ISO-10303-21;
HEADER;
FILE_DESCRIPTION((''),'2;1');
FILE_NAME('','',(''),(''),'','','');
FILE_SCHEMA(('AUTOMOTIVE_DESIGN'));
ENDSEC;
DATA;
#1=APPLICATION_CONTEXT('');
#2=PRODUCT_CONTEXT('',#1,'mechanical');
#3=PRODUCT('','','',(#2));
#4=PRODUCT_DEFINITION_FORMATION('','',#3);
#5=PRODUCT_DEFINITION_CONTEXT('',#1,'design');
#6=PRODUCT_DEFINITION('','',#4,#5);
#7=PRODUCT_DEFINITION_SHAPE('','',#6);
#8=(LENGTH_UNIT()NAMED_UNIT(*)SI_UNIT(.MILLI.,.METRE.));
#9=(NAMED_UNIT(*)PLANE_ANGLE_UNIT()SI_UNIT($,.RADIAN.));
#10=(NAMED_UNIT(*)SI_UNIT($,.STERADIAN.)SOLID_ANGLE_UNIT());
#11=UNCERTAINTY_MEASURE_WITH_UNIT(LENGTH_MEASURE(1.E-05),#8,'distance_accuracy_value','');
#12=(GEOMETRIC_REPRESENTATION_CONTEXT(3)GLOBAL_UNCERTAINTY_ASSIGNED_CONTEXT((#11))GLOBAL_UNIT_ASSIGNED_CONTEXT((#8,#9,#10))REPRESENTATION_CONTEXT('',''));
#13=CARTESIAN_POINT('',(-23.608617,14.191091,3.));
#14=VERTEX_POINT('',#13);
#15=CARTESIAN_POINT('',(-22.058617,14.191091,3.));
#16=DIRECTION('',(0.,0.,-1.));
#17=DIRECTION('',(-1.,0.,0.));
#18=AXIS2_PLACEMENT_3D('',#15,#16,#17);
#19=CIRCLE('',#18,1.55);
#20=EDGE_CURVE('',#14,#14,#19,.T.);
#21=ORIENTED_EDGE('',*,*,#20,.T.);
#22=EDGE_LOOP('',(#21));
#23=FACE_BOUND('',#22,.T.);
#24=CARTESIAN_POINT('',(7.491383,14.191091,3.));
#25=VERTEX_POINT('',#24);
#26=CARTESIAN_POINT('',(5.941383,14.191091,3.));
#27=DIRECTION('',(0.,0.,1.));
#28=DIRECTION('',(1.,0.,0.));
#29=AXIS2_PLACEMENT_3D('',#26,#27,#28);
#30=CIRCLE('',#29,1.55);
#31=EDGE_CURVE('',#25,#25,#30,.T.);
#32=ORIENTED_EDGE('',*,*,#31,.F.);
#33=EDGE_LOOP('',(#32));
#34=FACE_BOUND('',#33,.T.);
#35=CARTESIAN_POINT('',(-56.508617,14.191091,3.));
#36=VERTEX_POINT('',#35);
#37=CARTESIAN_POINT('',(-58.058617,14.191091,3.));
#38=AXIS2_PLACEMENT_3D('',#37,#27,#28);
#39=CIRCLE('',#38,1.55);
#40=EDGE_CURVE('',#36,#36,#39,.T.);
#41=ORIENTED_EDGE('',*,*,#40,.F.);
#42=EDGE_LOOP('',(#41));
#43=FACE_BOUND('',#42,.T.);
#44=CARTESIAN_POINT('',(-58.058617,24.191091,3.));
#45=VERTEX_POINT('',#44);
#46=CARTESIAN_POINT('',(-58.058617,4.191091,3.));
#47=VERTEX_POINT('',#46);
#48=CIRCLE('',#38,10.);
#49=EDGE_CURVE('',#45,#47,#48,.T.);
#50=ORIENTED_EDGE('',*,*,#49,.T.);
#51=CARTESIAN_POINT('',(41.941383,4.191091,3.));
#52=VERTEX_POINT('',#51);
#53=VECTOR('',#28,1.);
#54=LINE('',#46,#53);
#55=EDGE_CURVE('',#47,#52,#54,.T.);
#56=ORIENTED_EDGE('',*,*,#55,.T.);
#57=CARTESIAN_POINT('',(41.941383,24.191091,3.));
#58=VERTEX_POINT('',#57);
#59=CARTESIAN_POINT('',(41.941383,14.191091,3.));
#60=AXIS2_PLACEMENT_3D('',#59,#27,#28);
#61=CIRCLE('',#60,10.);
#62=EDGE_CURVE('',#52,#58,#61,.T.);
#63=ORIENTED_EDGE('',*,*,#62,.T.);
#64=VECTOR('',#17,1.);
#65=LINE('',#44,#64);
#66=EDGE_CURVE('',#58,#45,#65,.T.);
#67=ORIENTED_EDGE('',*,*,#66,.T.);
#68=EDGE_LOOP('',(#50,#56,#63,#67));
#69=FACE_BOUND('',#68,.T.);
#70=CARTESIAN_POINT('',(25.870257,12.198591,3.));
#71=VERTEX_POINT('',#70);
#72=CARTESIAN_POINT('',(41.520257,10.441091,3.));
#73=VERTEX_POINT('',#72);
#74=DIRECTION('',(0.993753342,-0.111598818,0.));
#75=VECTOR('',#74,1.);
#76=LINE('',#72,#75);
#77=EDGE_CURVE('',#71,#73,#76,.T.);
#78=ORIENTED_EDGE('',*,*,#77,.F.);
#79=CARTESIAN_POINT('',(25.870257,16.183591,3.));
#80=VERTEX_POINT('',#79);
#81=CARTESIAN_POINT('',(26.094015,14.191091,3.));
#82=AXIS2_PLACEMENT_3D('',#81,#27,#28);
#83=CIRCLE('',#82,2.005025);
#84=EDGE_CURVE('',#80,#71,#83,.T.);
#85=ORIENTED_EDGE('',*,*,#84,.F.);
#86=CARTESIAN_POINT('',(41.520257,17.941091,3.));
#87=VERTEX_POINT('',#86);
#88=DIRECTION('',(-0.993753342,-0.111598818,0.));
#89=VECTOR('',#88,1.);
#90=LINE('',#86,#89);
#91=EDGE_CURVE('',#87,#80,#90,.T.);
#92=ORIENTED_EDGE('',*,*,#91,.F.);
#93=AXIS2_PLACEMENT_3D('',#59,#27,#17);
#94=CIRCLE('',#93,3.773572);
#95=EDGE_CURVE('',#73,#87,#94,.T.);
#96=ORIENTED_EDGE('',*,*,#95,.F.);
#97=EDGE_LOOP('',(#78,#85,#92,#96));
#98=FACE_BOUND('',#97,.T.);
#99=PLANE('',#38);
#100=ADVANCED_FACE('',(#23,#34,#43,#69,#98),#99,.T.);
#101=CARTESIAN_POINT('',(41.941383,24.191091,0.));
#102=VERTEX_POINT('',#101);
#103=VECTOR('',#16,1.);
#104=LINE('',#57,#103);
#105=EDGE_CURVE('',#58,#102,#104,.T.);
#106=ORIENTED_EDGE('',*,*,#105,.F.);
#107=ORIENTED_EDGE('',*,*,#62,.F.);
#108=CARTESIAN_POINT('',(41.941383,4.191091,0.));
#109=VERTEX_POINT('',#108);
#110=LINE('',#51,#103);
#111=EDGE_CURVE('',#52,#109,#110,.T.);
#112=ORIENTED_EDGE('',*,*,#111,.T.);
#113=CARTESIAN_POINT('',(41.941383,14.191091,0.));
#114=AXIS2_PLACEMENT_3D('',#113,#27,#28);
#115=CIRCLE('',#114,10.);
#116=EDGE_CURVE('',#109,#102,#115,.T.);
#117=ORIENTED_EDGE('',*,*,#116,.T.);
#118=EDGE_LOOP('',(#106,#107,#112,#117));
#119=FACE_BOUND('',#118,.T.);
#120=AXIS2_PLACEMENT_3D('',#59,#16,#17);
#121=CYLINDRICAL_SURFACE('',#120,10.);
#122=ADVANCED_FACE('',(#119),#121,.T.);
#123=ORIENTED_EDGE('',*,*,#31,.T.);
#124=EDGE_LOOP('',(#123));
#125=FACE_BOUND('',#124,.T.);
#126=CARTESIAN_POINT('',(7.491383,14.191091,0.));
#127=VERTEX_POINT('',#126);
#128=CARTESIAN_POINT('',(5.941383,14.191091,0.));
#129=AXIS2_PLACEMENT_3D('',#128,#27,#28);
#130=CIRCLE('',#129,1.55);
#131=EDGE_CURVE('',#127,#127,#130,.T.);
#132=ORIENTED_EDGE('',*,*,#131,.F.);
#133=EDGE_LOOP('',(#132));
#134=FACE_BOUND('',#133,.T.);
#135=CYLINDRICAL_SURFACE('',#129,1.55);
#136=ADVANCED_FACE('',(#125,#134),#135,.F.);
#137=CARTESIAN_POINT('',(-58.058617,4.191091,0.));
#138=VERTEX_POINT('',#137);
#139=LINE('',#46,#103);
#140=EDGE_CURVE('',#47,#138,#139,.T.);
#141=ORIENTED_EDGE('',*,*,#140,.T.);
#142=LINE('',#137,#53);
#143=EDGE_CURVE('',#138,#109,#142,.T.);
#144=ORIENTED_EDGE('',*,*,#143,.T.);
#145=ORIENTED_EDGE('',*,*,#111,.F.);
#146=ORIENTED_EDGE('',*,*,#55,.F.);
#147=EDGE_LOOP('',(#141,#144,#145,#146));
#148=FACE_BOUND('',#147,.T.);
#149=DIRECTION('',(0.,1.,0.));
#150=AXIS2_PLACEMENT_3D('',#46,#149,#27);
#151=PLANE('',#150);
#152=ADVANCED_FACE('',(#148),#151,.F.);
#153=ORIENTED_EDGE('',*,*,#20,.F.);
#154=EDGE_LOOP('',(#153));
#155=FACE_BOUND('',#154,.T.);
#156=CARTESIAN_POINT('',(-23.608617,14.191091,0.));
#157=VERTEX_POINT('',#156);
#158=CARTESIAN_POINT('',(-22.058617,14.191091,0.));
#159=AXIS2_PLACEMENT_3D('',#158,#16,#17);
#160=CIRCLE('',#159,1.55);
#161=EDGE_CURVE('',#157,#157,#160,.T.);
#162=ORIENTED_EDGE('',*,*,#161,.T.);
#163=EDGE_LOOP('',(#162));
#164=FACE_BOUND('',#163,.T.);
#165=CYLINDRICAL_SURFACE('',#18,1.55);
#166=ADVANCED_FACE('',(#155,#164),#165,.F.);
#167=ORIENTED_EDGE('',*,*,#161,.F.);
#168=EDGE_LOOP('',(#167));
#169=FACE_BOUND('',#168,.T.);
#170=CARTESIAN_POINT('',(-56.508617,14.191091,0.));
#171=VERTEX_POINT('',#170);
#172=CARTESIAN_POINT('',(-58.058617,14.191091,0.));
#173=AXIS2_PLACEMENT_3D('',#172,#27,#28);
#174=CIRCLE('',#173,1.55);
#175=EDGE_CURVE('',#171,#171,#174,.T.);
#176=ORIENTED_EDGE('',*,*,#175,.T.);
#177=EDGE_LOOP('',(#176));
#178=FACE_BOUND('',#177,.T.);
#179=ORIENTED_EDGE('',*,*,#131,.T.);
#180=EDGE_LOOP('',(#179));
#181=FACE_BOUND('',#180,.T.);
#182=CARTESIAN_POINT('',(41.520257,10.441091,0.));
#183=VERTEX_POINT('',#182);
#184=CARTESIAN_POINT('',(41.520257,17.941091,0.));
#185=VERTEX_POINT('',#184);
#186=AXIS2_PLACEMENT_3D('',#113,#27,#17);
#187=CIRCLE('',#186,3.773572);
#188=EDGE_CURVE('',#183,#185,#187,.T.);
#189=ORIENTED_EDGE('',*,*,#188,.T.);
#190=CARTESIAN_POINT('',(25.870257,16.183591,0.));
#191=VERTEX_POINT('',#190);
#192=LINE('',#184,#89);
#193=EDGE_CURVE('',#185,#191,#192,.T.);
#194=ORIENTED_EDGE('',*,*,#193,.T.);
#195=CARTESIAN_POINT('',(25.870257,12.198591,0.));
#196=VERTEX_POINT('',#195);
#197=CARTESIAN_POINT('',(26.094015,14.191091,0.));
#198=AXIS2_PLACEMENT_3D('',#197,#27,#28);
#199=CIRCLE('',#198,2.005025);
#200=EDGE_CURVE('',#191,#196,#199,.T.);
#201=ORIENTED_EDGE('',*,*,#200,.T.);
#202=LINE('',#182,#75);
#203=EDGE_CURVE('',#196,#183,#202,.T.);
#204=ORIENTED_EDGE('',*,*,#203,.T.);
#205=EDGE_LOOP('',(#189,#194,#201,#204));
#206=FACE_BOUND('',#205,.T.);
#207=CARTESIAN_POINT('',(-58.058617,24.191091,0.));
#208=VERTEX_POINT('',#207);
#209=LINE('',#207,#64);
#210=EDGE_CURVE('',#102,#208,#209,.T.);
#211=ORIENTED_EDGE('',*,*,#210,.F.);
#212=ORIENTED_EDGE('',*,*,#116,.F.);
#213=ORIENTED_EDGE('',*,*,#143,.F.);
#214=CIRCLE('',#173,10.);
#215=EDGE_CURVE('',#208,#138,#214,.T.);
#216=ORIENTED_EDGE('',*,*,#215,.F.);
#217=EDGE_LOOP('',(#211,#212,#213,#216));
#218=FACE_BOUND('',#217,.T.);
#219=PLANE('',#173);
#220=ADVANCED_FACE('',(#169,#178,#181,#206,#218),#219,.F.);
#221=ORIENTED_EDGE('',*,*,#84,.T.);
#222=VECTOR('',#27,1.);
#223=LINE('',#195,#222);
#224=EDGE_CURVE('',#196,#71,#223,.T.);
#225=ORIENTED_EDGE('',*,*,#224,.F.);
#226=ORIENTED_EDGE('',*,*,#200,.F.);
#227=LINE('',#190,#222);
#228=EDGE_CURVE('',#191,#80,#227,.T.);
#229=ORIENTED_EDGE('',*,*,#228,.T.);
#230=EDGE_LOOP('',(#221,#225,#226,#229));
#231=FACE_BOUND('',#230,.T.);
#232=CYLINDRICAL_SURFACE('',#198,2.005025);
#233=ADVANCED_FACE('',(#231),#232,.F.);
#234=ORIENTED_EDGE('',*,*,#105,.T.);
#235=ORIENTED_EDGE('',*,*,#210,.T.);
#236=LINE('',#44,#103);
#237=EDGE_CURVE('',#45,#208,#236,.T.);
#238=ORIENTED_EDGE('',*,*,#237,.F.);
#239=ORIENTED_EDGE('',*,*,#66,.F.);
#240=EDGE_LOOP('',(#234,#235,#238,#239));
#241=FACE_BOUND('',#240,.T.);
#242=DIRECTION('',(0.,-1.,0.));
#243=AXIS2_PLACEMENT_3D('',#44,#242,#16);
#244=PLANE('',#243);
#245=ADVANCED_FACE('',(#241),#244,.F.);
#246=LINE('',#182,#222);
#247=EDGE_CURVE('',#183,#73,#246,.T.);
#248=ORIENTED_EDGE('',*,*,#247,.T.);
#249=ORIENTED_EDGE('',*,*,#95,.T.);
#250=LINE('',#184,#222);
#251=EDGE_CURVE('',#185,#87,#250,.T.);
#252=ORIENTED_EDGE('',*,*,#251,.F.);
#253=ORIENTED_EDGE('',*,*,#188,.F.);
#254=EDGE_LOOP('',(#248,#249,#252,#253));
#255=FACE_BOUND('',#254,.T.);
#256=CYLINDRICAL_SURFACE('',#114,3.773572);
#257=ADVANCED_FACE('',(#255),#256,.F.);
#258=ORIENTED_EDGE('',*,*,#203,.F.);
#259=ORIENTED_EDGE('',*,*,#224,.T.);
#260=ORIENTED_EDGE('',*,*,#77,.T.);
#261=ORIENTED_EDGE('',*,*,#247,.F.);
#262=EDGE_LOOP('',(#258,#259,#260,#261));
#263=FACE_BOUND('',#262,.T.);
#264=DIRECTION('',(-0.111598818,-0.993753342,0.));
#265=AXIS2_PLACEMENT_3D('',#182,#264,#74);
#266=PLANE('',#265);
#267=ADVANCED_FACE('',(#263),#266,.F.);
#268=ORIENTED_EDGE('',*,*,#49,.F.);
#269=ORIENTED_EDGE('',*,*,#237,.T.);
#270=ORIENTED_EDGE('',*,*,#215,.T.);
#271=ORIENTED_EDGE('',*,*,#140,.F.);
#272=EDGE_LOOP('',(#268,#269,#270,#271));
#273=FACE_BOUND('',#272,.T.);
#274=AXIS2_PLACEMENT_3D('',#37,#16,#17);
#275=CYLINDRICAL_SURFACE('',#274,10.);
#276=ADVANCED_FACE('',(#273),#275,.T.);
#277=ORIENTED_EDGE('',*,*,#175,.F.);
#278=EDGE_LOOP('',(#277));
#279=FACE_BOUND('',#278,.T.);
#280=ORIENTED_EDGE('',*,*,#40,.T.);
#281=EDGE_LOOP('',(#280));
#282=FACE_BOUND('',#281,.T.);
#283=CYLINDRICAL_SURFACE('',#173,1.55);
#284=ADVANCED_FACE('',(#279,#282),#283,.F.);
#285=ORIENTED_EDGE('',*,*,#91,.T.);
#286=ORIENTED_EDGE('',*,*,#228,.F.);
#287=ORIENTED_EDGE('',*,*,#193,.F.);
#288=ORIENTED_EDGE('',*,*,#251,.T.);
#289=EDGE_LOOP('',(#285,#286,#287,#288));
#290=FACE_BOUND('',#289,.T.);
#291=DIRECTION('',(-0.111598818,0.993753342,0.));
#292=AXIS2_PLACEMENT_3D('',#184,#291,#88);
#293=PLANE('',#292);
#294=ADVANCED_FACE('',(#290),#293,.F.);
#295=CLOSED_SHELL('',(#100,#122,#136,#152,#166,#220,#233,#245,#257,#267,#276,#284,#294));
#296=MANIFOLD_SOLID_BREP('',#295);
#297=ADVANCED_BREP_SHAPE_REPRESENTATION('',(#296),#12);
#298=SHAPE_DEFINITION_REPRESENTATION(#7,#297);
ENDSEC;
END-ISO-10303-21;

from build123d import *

# Parameters (mm, degrees)
BOSS_EXTRUDE1_DEPTH = 3
CUT_EXTRUDE1_DEPTH  = 3
SKETCH3_R           = 1.55
CUT_EXTRUDE2_DEPTH  = 3
SKETCH4_R           = 1.55
CUT_EXTRUDE4_DEPTH  = 3
SKETCH5_R           = 1.55
CUT_EXTRUDE6_DEPTH  = 3


with BuildPart() as part:
    # Sketch1 → Boss-Extrude1 (new body)
    with BuildSketch(Plane.XY):
        with BuildLine():
            Line((-58.058617241, 24.191090517), (41.941382759, 24.191090517))
            ThreePointArc((41.941382759, 24.191090517), (51.941382759, 14.191090517), (41.941382759, 4.191090517))
            Line((41.941382759, 4.191090517), (-58.058617241, 4.191090517))
            ThreePointArc((-58.058617241, 4.191090517), (-68.058617241, 14.191090517), (-58.058617241, 24.191090517))
        make_face()
    extrude(amount=BOSS_EXTRUDE1_DEPTH)

    # Sketch2 → Cut-Extrude1 (cut)
    with BuildSketch(Plane.XY.offset(3)):
        with BuildLine():
            Line((41.520256561, 17.941090517), (25.870256561, 16.183590517))
            ThreePointArc((25.870256561, 16.183590517), (24.088990243, 14.191090517), (25.870256561, 12.198590517))
            Line((25.870256561, 12.198590517), (41.520256561, 10.441090517))
            ThreePointArc((41.520256561, 10.441090517), (45.714954976, 14.191090517), (41.520256561, 17.941090517))
        make_face()
    extrude(amount=-CUT_EXTRUDE1_DEPTH, mode=Mode.SUBTRACT)

    # Sketch3 → Cut-Extrude2 (cut)
    with BuildSketch(Plane.XY.offset(3)):
        with Locations((-58.058617241, 14.191090517)):
            Circle(SKETCH3_R)
    extrude(amount=-CUT_EXTRUDE2_DEPTH, mode=Mode.SUBTRACT)

    # Sketch4 → Cut-Extrude4 (cut)
    with BuildSketch(Plane(origin=(9.979459273, 1.433252018, 3), x_dir=(1, 0, 0), z_dir=(0, 0, 1))):
        with Locations((-4.038076514, 12.757838499)):
            Circle(SKETCH4_R)
    extrude(amount=-CUT_EXTRUDE4_DEPTH, mode=Mode.SUBTRACT)

    # Sketch5 → Cut-Extrude6 (cut)
    with BuildSketch(Plane(origin=(-9.979459273, 1.433252018, 0), x_dir=(-1, 0, 0), z_dir=(0, 0, -1))):
        with Locations((12.079157968, 12.757838499)):
            Circle(SKETCH5_R)
    extrude(amount=-CUT_EXTRUDE6_DEPTH, mode=Mode.SUBTRACT)


solid = part.part
